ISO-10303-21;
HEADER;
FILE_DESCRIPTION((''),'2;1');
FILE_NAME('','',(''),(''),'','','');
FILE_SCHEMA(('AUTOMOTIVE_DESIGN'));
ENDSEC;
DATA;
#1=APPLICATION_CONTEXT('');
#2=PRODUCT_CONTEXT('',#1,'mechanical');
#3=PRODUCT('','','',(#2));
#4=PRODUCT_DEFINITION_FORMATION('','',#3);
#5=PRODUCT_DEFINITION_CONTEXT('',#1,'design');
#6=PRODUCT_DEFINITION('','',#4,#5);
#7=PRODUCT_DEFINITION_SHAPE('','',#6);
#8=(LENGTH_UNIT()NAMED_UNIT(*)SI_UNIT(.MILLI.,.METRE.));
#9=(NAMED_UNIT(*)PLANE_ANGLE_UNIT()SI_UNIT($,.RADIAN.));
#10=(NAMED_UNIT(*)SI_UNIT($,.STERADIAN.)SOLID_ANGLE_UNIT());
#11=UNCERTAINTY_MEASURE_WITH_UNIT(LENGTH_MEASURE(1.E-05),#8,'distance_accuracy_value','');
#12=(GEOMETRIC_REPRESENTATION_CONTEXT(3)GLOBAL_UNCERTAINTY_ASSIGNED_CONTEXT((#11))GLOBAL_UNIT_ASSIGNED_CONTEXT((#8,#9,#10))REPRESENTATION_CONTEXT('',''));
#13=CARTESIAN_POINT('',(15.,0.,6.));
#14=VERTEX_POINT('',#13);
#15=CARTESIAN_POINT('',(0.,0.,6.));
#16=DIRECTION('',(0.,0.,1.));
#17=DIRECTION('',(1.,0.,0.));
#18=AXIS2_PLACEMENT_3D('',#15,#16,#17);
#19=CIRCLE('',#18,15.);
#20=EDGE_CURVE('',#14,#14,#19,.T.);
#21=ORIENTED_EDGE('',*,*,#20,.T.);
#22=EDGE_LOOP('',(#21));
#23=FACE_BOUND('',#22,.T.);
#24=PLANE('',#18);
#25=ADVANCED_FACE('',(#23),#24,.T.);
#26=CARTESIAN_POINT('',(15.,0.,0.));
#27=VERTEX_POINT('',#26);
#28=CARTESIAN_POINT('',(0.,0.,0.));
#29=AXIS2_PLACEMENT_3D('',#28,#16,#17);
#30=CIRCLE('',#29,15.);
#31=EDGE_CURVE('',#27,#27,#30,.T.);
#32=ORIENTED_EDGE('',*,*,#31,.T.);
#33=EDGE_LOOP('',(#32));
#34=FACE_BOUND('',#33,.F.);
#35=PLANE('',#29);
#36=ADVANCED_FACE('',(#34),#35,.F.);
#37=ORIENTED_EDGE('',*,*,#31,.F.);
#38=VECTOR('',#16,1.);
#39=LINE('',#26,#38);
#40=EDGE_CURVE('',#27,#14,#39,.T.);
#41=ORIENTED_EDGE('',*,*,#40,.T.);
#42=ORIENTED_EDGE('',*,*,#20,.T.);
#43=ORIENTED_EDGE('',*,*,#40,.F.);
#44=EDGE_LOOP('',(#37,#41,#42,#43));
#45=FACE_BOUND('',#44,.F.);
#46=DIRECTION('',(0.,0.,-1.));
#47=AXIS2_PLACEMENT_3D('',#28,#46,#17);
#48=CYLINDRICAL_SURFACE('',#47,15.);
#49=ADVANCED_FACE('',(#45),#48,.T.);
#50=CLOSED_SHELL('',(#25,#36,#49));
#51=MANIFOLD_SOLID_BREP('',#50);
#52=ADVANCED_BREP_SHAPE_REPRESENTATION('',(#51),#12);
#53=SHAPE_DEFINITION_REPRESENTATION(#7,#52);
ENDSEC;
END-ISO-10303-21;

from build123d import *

# Parameters (mm, degrees)
SKETCH_1_R      = 15
EXTRUDE_1_DEPTH = 6


with BuildPart() as part:
    # 草图1 → 凸台-拉伸1 (new body)
    with BuildSketch(Plane.XY):
        Circle(SKETCH_1_R)
    extrude(amount=EXTRUDE_1_DEPTH)


solid = part.part
